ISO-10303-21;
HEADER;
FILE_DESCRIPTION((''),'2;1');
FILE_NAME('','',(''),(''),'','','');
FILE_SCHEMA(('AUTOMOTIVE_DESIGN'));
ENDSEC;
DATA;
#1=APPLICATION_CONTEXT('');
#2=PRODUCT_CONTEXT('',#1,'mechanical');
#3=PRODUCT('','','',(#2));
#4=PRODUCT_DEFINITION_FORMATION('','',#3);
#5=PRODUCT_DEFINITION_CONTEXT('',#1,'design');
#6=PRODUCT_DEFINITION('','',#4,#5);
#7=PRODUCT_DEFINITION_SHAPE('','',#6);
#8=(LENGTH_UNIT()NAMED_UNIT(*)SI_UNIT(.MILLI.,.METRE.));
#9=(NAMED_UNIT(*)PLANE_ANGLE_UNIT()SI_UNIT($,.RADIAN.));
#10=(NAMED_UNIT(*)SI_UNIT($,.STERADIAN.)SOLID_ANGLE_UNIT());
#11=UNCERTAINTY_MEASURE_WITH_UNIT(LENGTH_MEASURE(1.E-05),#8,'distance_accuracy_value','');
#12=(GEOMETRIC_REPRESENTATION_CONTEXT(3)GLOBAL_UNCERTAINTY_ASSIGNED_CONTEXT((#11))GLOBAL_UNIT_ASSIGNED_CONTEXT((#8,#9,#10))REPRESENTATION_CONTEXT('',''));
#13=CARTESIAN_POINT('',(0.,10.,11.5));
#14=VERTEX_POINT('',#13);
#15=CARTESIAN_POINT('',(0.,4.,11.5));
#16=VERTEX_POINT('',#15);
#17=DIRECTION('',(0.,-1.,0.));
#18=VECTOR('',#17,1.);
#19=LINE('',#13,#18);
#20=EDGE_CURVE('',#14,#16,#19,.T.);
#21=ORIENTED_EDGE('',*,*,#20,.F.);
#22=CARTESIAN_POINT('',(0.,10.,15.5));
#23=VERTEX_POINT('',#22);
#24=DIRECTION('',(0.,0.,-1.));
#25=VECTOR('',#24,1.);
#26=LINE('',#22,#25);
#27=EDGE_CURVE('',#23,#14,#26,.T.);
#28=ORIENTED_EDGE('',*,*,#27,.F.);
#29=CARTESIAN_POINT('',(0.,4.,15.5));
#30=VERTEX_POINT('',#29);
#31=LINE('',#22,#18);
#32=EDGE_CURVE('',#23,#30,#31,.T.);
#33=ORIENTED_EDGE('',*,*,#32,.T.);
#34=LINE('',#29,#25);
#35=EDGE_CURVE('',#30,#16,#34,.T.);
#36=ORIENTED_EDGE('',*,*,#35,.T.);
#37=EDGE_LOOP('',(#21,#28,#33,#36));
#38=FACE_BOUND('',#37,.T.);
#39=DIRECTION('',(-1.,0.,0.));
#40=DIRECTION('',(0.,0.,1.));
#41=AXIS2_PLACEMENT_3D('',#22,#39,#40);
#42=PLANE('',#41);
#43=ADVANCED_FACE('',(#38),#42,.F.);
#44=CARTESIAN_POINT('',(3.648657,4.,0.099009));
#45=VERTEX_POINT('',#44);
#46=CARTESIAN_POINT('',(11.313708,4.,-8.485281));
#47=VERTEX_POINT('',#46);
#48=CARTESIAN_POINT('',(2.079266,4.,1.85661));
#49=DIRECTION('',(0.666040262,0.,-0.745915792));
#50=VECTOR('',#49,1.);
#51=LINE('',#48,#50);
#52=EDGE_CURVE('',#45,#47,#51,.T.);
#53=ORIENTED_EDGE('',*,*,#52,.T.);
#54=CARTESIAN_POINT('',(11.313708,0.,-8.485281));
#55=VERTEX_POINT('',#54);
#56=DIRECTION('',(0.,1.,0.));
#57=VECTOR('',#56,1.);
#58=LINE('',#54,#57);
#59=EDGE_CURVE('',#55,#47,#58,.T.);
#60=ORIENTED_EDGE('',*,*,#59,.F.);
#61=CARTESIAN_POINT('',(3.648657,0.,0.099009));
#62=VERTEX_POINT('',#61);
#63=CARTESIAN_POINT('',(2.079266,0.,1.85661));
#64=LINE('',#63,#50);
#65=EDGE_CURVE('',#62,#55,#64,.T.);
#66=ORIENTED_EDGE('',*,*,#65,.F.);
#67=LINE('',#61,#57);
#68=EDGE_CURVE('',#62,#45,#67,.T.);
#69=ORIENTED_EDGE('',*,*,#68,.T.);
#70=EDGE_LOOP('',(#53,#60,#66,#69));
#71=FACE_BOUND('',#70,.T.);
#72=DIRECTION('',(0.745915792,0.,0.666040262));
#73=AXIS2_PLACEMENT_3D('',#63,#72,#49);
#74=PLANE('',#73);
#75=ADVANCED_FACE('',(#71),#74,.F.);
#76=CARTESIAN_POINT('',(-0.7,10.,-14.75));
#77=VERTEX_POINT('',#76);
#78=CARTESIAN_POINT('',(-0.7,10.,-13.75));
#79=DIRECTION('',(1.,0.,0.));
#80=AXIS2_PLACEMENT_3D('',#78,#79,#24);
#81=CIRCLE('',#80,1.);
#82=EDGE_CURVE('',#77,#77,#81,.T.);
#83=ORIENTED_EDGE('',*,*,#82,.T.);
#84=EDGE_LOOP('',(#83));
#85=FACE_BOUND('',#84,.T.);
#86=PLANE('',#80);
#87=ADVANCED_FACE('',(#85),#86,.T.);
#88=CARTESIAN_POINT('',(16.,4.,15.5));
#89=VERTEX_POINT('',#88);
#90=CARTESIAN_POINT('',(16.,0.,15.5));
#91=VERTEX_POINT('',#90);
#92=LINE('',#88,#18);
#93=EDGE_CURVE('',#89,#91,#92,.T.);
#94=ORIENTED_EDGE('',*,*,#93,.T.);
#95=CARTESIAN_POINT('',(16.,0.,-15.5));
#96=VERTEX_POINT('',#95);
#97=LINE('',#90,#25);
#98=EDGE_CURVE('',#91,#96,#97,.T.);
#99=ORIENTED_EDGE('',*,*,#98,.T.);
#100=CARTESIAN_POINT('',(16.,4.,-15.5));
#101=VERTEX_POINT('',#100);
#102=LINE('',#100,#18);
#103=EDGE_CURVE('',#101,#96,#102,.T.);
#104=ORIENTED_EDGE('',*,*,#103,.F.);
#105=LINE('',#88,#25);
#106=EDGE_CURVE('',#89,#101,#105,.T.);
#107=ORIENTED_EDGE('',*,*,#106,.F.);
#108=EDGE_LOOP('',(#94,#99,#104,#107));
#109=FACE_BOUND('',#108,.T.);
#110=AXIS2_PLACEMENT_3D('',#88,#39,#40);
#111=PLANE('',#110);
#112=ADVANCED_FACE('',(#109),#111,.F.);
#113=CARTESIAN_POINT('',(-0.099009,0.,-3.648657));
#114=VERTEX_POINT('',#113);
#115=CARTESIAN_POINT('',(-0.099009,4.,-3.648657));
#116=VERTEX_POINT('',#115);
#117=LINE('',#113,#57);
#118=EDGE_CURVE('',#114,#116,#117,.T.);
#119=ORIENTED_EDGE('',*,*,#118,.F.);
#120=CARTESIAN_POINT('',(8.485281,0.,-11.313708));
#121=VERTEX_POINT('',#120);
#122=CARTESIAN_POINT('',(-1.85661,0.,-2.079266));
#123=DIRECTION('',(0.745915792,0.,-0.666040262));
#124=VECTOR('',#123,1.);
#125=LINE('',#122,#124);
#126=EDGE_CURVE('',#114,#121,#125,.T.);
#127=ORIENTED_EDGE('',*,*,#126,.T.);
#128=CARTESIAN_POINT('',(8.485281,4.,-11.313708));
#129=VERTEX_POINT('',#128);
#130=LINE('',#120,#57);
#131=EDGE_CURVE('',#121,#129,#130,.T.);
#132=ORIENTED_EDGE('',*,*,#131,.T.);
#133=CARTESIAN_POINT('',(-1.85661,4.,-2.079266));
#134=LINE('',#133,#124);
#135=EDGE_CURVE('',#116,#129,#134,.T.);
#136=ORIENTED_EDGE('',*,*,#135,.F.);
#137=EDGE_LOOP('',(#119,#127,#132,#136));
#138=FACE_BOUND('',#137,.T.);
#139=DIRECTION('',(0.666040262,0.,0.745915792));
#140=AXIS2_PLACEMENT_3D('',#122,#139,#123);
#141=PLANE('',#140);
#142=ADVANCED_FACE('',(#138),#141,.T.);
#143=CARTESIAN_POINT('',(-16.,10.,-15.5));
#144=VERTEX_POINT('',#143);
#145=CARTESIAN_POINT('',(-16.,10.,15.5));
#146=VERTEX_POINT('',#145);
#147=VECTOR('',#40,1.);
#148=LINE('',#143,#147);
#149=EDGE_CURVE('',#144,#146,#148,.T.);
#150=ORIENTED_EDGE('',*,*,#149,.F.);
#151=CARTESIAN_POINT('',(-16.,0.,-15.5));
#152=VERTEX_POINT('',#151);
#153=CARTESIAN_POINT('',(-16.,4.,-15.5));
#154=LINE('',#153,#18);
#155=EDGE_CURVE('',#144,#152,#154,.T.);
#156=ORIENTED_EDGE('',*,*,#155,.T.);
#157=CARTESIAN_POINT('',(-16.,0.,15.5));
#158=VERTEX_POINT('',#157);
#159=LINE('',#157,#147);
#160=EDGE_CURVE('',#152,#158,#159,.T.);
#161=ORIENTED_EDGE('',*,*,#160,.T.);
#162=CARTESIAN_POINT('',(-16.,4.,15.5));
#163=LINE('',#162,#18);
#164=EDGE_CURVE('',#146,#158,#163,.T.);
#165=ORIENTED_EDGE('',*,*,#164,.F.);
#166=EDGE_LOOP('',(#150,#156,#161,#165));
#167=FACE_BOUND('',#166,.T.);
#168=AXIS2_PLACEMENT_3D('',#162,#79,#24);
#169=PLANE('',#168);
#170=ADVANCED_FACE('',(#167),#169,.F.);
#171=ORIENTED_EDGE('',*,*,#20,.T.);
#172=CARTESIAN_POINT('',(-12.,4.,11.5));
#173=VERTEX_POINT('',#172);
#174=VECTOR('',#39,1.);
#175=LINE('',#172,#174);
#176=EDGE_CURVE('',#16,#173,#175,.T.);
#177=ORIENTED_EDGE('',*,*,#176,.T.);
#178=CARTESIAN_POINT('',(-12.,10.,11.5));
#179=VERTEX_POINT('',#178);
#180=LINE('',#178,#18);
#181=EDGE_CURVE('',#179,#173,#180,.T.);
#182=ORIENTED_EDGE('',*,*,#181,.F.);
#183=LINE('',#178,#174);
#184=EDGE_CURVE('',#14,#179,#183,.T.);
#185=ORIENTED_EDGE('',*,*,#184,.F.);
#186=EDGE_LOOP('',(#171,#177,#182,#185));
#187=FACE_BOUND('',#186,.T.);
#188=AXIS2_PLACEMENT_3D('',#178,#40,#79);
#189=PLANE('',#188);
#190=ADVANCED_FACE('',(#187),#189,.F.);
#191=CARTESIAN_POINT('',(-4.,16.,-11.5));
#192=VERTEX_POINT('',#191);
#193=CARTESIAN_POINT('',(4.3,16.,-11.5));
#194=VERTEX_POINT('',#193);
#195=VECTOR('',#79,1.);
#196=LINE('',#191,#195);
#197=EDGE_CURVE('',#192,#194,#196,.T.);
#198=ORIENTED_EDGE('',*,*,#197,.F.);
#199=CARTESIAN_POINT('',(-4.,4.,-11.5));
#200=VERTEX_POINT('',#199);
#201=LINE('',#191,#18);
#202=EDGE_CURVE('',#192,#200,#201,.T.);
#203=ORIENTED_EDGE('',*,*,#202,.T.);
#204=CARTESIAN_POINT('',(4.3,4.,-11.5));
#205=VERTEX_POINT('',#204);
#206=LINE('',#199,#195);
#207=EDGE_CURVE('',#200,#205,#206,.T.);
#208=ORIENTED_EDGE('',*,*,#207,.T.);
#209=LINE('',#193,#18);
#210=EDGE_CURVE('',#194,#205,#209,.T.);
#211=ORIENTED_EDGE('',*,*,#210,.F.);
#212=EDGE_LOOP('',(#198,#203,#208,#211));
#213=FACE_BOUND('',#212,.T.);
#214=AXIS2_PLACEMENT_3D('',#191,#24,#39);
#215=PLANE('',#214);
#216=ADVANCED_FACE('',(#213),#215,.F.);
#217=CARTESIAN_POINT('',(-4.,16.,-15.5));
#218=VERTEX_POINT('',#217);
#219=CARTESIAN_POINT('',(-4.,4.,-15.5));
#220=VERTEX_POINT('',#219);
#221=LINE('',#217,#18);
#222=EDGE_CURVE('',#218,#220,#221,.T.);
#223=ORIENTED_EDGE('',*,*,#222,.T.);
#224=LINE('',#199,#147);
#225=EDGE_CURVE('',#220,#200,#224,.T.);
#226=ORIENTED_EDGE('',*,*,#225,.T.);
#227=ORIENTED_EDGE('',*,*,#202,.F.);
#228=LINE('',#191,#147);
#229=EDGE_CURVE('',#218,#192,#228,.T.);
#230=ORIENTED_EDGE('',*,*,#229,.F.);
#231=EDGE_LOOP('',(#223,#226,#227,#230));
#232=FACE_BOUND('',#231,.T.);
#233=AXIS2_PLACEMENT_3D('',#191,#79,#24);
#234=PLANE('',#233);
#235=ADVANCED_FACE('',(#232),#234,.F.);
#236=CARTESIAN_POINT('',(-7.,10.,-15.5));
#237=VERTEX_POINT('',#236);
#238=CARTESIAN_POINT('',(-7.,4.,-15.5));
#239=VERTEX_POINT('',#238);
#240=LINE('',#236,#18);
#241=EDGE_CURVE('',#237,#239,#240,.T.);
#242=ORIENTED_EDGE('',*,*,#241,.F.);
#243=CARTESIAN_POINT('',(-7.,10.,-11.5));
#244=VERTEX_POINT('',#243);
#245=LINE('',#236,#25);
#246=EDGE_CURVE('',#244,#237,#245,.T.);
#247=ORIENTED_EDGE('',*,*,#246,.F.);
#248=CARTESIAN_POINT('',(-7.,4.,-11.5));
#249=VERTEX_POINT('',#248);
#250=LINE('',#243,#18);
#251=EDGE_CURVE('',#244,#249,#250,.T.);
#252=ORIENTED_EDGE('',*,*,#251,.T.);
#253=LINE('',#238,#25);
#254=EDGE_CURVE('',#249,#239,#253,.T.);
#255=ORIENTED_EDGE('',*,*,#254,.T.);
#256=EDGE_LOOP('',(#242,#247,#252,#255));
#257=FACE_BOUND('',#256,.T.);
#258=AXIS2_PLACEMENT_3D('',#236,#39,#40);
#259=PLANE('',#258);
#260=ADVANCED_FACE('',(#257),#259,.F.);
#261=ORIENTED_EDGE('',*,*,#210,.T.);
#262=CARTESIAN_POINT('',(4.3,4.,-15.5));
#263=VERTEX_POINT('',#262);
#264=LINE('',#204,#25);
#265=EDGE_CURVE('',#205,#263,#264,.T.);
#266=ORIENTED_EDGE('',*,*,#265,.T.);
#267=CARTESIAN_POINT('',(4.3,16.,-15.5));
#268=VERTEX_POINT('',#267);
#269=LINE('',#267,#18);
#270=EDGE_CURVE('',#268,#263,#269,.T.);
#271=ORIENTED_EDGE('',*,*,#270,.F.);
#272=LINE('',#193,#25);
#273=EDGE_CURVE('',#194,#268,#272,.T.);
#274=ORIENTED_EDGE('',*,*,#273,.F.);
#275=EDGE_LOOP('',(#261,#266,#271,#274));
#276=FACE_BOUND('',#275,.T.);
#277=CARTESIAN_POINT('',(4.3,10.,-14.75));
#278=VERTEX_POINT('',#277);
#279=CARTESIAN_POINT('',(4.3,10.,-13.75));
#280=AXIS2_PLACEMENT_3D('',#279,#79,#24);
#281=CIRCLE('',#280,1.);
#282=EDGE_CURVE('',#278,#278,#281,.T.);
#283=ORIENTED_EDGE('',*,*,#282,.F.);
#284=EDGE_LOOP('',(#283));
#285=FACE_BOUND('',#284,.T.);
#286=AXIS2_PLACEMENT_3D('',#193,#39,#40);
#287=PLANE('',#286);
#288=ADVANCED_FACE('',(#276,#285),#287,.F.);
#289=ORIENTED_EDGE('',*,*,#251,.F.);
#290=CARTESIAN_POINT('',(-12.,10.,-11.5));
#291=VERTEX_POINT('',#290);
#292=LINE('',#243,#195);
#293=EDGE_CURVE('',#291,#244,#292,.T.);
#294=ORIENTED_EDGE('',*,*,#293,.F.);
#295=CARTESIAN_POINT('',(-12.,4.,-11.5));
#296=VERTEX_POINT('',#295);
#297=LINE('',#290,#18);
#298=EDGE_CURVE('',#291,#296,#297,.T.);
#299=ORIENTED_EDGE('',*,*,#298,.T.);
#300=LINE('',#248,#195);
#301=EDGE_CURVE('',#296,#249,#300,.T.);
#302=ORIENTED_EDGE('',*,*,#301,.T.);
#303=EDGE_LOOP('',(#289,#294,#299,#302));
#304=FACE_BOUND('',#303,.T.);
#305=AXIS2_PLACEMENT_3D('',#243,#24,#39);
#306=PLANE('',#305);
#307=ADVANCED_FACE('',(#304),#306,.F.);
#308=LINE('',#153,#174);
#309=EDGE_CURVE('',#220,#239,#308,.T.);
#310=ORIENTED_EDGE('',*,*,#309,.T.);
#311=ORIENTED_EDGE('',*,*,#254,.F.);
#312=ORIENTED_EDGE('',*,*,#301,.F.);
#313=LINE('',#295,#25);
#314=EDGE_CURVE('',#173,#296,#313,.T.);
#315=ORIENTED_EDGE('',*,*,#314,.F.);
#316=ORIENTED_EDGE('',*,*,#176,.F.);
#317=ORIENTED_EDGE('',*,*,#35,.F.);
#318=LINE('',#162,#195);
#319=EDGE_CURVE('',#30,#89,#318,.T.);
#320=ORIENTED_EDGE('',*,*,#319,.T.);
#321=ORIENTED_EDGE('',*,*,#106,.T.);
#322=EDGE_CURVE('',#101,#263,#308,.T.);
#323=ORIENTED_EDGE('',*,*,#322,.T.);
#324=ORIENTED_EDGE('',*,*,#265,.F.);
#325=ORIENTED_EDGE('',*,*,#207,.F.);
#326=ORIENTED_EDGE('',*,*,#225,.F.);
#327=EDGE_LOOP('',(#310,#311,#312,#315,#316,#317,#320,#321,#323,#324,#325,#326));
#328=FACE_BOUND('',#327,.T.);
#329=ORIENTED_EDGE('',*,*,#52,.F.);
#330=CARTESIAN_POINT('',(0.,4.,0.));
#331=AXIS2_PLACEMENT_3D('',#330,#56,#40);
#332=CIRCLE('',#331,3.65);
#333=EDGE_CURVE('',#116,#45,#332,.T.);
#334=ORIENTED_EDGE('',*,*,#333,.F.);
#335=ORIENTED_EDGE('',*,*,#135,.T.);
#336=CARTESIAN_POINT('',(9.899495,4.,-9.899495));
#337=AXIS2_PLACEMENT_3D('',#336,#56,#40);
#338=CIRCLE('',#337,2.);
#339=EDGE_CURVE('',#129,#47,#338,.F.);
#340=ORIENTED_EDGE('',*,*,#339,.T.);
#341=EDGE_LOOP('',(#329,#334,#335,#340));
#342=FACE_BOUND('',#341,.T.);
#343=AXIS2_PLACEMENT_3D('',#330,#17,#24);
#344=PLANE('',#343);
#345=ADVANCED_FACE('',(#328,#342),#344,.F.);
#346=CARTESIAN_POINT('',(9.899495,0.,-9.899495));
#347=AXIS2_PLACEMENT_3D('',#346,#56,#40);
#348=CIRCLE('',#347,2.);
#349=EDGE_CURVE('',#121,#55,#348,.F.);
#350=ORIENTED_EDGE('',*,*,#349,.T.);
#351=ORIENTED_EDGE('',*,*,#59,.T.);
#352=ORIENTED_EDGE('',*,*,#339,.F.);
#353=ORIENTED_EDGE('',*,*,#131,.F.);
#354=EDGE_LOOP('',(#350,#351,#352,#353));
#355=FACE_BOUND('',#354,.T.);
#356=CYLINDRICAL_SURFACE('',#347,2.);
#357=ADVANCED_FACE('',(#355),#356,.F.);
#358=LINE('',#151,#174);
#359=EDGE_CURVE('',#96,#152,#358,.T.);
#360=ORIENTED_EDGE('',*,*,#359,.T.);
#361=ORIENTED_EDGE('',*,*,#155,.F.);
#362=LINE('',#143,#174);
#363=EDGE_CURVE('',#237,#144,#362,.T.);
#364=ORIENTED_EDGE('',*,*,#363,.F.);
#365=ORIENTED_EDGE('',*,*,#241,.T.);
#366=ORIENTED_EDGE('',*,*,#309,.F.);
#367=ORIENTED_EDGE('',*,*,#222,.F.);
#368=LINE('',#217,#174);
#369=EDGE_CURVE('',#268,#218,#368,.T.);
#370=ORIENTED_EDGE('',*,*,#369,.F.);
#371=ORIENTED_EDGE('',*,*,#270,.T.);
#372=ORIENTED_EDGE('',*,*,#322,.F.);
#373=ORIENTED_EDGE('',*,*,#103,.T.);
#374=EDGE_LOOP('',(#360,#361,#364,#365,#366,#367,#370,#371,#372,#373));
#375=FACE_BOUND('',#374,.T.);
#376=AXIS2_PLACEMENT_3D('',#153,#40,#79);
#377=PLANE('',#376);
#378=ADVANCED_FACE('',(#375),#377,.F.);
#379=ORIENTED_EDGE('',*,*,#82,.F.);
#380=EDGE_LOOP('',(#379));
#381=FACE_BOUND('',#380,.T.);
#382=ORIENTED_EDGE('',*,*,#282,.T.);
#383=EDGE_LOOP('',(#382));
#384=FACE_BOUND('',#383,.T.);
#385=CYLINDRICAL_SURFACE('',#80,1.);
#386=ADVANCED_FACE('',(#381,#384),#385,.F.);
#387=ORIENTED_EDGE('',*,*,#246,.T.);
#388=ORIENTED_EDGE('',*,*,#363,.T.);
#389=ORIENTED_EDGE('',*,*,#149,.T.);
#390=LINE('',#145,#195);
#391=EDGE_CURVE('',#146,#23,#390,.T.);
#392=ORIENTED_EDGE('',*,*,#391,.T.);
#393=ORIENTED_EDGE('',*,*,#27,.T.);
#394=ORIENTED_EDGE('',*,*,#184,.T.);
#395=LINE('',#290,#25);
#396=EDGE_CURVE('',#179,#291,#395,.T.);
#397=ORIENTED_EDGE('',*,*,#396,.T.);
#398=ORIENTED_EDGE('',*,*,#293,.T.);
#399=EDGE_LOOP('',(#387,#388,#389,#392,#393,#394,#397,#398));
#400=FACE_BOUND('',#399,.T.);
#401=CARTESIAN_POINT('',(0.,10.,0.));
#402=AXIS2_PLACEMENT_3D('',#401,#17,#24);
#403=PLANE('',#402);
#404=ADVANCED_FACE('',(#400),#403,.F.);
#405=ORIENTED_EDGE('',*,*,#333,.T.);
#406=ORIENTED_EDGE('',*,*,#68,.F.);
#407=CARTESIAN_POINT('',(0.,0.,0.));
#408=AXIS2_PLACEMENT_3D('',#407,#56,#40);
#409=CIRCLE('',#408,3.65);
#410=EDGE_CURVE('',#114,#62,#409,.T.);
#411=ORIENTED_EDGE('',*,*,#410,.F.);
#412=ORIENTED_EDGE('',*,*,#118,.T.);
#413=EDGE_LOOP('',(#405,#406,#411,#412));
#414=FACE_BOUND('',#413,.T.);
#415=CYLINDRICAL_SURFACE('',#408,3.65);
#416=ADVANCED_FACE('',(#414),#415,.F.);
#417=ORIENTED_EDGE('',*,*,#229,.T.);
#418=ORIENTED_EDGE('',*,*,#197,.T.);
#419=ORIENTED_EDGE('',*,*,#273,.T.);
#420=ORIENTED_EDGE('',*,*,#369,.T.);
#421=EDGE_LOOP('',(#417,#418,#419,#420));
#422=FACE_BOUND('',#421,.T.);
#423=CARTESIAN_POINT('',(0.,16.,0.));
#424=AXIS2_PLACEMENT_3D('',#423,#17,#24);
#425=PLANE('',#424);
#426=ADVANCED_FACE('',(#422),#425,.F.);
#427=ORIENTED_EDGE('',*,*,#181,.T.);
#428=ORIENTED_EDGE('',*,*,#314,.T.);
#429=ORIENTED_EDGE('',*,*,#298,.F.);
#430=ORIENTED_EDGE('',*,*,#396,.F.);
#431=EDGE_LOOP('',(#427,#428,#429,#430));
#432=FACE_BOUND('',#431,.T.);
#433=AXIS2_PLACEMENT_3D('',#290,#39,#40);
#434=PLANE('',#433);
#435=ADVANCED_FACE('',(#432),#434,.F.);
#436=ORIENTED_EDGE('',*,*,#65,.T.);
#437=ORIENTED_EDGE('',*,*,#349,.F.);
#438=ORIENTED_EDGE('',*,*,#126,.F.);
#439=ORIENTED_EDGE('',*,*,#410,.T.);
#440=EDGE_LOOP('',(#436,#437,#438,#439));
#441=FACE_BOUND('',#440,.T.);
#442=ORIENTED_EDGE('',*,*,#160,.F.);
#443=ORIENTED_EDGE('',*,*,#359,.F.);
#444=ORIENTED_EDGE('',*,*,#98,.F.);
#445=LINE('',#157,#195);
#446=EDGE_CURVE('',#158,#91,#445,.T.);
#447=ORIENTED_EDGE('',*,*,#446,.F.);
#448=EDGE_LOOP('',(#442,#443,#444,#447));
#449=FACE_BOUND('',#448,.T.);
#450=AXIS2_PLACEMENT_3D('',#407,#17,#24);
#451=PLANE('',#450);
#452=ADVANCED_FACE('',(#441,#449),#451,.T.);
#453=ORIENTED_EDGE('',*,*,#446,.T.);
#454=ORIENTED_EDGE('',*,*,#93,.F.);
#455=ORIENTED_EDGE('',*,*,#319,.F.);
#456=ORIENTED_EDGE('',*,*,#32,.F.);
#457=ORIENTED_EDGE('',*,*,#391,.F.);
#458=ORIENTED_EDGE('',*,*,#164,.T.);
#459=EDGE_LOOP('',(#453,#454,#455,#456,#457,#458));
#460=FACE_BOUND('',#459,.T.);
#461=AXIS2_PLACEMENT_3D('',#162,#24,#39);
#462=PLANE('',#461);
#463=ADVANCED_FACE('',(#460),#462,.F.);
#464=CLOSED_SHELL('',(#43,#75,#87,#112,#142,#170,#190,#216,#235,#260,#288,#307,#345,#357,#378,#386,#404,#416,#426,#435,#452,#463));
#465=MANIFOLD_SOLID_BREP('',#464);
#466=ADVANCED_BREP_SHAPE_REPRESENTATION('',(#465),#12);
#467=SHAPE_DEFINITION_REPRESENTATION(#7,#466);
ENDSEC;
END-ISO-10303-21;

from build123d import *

# Parameters (mm, degrees)
SKETCH1_W           = 32
SKETCH1_H           = 31
BOSS_EXTRUDE1_DEPTH = 4
BOSS_EXTRUDE2_DEPTH = 6
SKETCH5_W           = 8.3
SKETCH5_H           = 4
BOSS_EXTRUDE3_DEPTH = 12
SKETCH6_R           = 1
CUT_EXTRUDE7_DEPTH  = 5
CUT_EXTRUDE6_DEPTH  = 4


with BuildPart() as part:
    # Sketch1 → Boss-Extrude1 (new body)
    with BuildSketch(Plane(origin=(0, 0, 0), x_dir=(1, 0, 0), z_dir=(0, 1, 0))):
        Rectangle(SKETCH1_W, SKETCH1_H)
    extrude(amount=BOSS_EXTRUDE1_DEPTH)

    # Sketch2 → Boss-Extrude2 (add)
    with BuildSketch(Plane(origin=(0, 4, 0), x_dir=(1, 0, 0), z_dir=(0, 1, 0))):
        Polygon((-16, 15.5), (-16, -15.5), (0, -15.5), (0, -11.5), (-12, -11.5), (-12, 11.5), (-7, 11.5), (-7, 15.5), align=None)
    extrude(amount=BOSS_EXTRUDE2_DEPTH)

    # Sketch5 → Boss-Extrude3 (add)
    with BuildSketch(Plane(origin=(0, 4, 0), x_dir=(1, 0, 0), z_dir=(0, 1, 0))):
        with Locations((0.15, 13.5)):
            Rectangle(SKETCH5_W, SKETCH5_H)
    extrude(amount=BOSS_EXTRUDE3_DEPTH)

    # Sketch6 → Cut-Extrude7 (cut)
    with BuildSketch(Plane(origin=(4.3, 0, 0), x_dir=(0, 0, -1), z_dir=(1, 0, 0))):
        with Locations((13.75, 10)):
            Circle(SKETCH6_R)
    extrude(amount=-CUT_EXTRUDE7_DEPTH, mode=Mode.SUBTRACT)

    # Sketch4 → Cut-Extrude6 (cut)
    with BuildSketch(Plane(origin=(0, 4, 0), x_dir=(0.7071067811864886, 0, -0.7071067811866065), z_dir=(0, 1, 0))):
        with BuildLine():
            Line((14, 2), (2.50998008, 2.65))
            ThreePointArc((2.50998008, 2.65), (3.352903763, 1.442406446), (3.65, 0))
            ThreePointArc((3.65, 0), (3.352903763, -1.442406446), (2.50998008, -2.65))
            Line((2.50998008, -2.65), (14, -2))
            ThreePointArc((14, -2), (15.414213562, -1.414213562), (16, 0))
            ThreePointArc((16, 0), (15.414213562, 1.414213562), (14, 2))
        make_face()
        with BuildLine():
            ThreePointArc((3.65, 0), (3.352903763, 1.442406446), (2.50998008, 2.65))
            ThreePointArc((2.50998008, 2.65), (-3.65, 0), (2.50998008, -2.65))
            ThreePointArc((2.50998008, -2.65), (3.352903763, -1.442406446), (3.65, 0))
        make_face()
    extrude(amount=-CUT_EXTRUDE6_DEPTH, mode=Mode.SUBTRACT)


solid = part.part
